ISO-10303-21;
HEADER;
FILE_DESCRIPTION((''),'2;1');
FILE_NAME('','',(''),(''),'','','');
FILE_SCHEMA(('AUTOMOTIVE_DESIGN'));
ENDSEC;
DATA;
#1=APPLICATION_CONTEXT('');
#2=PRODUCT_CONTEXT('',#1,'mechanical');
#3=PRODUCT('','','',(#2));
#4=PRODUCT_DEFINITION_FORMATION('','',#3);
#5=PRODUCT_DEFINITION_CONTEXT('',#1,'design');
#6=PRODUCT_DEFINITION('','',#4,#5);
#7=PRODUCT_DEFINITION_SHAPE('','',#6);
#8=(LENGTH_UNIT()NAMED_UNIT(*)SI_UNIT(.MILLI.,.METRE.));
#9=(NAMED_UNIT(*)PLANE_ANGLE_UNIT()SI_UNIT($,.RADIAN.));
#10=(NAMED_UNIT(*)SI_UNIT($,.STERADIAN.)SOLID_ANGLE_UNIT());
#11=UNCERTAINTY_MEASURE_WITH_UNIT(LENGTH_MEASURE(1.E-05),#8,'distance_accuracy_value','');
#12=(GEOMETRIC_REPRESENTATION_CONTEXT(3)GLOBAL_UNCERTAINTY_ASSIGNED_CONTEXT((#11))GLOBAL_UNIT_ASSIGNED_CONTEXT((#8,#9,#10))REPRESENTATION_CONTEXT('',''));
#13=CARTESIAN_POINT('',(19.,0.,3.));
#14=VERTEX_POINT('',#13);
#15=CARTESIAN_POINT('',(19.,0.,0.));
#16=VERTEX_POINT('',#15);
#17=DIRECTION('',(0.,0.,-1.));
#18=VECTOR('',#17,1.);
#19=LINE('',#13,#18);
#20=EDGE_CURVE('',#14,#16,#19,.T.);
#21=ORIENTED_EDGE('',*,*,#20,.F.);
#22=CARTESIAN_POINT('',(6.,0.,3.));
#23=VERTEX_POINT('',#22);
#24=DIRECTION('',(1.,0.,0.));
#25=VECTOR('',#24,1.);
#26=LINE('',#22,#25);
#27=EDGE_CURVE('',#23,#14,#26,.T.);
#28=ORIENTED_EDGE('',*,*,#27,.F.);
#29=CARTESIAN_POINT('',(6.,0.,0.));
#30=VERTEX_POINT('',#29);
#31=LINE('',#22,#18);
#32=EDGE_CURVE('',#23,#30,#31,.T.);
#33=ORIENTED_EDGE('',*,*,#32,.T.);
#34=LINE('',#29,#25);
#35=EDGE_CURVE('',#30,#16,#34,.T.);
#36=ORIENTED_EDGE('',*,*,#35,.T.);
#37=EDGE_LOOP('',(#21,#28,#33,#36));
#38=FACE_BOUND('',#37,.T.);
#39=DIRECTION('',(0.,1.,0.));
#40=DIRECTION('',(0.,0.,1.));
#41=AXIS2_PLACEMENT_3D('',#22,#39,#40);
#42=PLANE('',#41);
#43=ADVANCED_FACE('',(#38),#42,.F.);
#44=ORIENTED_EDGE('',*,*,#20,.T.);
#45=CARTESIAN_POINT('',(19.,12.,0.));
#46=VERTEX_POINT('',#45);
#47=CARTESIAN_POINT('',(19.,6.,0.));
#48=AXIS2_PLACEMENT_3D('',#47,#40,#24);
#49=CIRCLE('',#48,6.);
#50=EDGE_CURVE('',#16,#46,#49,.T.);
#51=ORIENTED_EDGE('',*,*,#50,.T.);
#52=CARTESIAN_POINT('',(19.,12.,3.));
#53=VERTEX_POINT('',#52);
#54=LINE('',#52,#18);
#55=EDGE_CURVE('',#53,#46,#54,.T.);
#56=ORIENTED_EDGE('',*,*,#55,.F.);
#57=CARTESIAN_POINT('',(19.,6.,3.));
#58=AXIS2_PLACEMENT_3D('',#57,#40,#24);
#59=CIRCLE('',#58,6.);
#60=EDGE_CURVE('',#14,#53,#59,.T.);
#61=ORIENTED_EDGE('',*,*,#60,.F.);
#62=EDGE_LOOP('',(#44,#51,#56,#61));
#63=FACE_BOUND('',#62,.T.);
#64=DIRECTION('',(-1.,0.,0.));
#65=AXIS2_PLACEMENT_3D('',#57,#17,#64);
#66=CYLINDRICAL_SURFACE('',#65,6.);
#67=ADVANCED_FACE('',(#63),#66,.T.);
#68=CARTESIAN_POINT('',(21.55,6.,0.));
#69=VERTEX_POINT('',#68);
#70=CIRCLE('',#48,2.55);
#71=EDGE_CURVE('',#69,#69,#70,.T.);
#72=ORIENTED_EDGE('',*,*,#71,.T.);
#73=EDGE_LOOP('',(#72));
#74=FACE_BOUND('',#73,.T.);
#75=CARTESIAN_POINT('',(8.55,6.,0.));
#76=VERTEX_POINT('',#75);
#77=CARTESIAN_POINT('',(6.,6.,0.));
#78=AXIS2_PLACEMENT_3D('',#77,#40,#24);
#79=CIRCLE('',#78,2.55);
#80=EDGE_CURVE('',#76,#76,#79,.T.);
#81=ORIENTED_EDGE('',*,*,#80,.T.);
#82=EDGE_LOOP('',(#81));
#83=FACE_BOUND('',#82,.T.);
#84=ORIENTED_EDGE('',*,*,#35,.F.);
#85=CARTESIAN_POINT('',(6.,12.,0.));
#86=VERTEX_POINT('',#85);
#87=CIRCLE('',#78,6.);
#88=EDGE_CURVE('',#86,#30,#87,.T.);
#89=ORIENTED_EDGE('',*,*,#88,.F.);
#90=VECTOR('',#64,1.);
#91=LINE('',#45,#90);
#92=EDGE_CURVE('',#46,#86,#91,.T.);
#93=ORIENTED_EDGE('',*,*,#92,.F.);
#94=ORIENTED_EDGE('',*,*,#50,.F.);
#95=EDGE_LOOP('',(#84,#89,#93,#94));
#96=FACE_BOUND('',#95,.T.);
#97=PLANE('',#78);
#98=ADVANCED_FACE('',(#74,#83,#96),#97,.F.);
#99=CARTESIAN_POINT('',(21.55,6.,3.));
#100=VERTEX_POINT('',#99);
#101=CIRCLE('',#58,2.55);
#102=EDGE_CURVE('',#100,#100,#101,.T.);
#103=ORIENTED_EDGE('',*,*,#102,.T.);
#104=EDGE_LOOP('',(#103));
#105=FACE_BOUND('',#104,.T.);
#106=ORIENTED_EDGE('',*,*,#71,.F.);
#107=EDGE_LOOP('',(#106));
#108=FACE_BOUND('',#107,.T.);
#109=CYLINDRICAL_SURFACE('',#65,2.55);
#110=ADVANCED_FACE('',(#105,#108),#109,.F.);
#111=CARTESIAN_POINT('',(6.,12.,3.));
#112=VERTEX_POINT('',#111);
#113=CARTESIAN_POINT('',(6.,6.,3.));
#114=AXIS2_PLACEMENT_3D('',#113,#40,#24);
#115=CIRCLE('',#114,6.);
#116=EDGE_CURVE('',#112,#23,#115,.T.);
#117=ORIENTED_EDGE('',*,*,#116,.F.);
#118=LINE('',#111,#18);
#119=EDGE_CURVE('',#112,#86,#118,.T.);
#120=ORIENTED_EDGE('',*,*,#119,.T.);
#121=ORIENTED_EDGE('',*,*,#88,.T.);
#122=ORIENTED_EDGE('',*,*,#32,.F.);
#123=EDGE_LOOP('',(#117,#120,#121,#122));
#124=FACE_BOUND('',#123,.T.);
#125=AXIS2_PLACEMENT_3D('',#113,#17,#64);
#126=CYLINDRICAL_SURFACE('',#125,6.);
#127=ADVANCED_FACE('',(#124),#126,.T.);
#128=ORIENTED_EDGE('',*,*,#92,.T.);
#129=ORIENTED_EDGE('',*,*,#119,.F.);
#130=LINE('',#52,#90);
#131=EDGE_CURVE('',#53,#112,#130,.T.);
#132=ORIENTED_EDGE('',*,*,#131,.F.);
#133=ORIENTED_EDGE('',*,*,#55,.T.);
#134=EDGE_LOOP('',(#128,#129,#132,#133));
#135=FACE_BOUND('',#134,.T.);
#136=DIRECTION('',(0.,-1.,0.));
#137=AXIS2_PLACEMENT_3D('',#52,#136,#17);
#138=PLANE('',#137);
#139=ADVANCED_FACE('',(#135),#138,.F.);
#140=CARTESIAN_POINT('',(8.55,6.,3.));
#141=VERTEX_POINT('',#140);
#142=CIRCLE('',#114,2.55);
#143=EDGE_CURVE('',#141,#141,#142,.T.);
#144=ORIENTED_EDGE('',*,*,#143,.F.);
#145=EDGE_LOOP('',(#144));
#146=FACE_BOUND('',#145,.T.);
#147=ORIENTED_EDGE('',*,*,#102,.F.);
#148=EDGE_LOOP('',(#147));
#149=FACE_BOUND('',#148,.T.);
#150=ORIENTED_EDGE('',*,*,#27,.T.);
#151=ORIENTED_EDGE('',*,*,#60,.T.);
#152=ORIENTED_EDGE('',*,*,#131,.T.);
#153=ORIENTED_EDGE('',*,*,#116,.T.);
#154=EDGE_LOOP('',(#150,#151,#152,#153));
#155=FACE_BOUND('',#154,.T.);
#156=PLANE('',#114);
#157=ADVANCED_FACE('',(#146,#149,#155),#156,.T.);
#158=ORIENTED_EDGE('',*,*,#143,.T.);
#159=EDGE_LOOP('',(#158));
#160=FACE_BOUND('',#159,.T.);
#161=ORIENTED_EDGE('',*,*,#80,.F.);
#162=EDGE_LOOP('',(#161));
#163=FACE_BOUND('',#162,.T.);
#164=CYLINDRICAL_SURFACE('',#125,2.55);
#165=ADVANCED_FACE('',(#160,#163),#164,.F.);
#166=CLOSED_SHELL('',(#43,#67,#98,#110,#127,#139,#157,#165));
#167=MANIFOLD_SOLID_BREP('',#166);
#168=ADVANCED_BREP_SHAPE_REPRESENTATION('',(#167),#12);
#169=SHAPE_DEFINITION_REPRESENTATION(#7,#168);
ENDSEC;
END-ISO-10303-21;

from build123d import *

# Parameters (mm, degrees)
MODEL_R                         = 2.55
AUFSATZ_LINEAR_AUSTRAGEN1_DEPTH = 3


with BuildPart() as part:
    # Model → Aufsatz-Linear austragen1 (new body)
    with BuildSketch(Plane.XY):
        with BuildLine():
            Line((19, 12), (6, 12))
            ThreePointArc((6, 12), (0, 6), (6, 0))
            Line((6, 0), (19, 0))
            ThreePointArc((19, 0), (25, 6), (19, 12))
        make_face()
        with Locations((6, 6)):
            Circle(MODEL_R, mode=Mode.SUBTRACT)
        with Locations((19, 6)):
            Circle(MODEL_R, mode=Mode.SUBTRACT)
    extrude(amount=AUFSATZ_LINEAR_AUSTRAGEN1_DEPTH)


solid = part.part
